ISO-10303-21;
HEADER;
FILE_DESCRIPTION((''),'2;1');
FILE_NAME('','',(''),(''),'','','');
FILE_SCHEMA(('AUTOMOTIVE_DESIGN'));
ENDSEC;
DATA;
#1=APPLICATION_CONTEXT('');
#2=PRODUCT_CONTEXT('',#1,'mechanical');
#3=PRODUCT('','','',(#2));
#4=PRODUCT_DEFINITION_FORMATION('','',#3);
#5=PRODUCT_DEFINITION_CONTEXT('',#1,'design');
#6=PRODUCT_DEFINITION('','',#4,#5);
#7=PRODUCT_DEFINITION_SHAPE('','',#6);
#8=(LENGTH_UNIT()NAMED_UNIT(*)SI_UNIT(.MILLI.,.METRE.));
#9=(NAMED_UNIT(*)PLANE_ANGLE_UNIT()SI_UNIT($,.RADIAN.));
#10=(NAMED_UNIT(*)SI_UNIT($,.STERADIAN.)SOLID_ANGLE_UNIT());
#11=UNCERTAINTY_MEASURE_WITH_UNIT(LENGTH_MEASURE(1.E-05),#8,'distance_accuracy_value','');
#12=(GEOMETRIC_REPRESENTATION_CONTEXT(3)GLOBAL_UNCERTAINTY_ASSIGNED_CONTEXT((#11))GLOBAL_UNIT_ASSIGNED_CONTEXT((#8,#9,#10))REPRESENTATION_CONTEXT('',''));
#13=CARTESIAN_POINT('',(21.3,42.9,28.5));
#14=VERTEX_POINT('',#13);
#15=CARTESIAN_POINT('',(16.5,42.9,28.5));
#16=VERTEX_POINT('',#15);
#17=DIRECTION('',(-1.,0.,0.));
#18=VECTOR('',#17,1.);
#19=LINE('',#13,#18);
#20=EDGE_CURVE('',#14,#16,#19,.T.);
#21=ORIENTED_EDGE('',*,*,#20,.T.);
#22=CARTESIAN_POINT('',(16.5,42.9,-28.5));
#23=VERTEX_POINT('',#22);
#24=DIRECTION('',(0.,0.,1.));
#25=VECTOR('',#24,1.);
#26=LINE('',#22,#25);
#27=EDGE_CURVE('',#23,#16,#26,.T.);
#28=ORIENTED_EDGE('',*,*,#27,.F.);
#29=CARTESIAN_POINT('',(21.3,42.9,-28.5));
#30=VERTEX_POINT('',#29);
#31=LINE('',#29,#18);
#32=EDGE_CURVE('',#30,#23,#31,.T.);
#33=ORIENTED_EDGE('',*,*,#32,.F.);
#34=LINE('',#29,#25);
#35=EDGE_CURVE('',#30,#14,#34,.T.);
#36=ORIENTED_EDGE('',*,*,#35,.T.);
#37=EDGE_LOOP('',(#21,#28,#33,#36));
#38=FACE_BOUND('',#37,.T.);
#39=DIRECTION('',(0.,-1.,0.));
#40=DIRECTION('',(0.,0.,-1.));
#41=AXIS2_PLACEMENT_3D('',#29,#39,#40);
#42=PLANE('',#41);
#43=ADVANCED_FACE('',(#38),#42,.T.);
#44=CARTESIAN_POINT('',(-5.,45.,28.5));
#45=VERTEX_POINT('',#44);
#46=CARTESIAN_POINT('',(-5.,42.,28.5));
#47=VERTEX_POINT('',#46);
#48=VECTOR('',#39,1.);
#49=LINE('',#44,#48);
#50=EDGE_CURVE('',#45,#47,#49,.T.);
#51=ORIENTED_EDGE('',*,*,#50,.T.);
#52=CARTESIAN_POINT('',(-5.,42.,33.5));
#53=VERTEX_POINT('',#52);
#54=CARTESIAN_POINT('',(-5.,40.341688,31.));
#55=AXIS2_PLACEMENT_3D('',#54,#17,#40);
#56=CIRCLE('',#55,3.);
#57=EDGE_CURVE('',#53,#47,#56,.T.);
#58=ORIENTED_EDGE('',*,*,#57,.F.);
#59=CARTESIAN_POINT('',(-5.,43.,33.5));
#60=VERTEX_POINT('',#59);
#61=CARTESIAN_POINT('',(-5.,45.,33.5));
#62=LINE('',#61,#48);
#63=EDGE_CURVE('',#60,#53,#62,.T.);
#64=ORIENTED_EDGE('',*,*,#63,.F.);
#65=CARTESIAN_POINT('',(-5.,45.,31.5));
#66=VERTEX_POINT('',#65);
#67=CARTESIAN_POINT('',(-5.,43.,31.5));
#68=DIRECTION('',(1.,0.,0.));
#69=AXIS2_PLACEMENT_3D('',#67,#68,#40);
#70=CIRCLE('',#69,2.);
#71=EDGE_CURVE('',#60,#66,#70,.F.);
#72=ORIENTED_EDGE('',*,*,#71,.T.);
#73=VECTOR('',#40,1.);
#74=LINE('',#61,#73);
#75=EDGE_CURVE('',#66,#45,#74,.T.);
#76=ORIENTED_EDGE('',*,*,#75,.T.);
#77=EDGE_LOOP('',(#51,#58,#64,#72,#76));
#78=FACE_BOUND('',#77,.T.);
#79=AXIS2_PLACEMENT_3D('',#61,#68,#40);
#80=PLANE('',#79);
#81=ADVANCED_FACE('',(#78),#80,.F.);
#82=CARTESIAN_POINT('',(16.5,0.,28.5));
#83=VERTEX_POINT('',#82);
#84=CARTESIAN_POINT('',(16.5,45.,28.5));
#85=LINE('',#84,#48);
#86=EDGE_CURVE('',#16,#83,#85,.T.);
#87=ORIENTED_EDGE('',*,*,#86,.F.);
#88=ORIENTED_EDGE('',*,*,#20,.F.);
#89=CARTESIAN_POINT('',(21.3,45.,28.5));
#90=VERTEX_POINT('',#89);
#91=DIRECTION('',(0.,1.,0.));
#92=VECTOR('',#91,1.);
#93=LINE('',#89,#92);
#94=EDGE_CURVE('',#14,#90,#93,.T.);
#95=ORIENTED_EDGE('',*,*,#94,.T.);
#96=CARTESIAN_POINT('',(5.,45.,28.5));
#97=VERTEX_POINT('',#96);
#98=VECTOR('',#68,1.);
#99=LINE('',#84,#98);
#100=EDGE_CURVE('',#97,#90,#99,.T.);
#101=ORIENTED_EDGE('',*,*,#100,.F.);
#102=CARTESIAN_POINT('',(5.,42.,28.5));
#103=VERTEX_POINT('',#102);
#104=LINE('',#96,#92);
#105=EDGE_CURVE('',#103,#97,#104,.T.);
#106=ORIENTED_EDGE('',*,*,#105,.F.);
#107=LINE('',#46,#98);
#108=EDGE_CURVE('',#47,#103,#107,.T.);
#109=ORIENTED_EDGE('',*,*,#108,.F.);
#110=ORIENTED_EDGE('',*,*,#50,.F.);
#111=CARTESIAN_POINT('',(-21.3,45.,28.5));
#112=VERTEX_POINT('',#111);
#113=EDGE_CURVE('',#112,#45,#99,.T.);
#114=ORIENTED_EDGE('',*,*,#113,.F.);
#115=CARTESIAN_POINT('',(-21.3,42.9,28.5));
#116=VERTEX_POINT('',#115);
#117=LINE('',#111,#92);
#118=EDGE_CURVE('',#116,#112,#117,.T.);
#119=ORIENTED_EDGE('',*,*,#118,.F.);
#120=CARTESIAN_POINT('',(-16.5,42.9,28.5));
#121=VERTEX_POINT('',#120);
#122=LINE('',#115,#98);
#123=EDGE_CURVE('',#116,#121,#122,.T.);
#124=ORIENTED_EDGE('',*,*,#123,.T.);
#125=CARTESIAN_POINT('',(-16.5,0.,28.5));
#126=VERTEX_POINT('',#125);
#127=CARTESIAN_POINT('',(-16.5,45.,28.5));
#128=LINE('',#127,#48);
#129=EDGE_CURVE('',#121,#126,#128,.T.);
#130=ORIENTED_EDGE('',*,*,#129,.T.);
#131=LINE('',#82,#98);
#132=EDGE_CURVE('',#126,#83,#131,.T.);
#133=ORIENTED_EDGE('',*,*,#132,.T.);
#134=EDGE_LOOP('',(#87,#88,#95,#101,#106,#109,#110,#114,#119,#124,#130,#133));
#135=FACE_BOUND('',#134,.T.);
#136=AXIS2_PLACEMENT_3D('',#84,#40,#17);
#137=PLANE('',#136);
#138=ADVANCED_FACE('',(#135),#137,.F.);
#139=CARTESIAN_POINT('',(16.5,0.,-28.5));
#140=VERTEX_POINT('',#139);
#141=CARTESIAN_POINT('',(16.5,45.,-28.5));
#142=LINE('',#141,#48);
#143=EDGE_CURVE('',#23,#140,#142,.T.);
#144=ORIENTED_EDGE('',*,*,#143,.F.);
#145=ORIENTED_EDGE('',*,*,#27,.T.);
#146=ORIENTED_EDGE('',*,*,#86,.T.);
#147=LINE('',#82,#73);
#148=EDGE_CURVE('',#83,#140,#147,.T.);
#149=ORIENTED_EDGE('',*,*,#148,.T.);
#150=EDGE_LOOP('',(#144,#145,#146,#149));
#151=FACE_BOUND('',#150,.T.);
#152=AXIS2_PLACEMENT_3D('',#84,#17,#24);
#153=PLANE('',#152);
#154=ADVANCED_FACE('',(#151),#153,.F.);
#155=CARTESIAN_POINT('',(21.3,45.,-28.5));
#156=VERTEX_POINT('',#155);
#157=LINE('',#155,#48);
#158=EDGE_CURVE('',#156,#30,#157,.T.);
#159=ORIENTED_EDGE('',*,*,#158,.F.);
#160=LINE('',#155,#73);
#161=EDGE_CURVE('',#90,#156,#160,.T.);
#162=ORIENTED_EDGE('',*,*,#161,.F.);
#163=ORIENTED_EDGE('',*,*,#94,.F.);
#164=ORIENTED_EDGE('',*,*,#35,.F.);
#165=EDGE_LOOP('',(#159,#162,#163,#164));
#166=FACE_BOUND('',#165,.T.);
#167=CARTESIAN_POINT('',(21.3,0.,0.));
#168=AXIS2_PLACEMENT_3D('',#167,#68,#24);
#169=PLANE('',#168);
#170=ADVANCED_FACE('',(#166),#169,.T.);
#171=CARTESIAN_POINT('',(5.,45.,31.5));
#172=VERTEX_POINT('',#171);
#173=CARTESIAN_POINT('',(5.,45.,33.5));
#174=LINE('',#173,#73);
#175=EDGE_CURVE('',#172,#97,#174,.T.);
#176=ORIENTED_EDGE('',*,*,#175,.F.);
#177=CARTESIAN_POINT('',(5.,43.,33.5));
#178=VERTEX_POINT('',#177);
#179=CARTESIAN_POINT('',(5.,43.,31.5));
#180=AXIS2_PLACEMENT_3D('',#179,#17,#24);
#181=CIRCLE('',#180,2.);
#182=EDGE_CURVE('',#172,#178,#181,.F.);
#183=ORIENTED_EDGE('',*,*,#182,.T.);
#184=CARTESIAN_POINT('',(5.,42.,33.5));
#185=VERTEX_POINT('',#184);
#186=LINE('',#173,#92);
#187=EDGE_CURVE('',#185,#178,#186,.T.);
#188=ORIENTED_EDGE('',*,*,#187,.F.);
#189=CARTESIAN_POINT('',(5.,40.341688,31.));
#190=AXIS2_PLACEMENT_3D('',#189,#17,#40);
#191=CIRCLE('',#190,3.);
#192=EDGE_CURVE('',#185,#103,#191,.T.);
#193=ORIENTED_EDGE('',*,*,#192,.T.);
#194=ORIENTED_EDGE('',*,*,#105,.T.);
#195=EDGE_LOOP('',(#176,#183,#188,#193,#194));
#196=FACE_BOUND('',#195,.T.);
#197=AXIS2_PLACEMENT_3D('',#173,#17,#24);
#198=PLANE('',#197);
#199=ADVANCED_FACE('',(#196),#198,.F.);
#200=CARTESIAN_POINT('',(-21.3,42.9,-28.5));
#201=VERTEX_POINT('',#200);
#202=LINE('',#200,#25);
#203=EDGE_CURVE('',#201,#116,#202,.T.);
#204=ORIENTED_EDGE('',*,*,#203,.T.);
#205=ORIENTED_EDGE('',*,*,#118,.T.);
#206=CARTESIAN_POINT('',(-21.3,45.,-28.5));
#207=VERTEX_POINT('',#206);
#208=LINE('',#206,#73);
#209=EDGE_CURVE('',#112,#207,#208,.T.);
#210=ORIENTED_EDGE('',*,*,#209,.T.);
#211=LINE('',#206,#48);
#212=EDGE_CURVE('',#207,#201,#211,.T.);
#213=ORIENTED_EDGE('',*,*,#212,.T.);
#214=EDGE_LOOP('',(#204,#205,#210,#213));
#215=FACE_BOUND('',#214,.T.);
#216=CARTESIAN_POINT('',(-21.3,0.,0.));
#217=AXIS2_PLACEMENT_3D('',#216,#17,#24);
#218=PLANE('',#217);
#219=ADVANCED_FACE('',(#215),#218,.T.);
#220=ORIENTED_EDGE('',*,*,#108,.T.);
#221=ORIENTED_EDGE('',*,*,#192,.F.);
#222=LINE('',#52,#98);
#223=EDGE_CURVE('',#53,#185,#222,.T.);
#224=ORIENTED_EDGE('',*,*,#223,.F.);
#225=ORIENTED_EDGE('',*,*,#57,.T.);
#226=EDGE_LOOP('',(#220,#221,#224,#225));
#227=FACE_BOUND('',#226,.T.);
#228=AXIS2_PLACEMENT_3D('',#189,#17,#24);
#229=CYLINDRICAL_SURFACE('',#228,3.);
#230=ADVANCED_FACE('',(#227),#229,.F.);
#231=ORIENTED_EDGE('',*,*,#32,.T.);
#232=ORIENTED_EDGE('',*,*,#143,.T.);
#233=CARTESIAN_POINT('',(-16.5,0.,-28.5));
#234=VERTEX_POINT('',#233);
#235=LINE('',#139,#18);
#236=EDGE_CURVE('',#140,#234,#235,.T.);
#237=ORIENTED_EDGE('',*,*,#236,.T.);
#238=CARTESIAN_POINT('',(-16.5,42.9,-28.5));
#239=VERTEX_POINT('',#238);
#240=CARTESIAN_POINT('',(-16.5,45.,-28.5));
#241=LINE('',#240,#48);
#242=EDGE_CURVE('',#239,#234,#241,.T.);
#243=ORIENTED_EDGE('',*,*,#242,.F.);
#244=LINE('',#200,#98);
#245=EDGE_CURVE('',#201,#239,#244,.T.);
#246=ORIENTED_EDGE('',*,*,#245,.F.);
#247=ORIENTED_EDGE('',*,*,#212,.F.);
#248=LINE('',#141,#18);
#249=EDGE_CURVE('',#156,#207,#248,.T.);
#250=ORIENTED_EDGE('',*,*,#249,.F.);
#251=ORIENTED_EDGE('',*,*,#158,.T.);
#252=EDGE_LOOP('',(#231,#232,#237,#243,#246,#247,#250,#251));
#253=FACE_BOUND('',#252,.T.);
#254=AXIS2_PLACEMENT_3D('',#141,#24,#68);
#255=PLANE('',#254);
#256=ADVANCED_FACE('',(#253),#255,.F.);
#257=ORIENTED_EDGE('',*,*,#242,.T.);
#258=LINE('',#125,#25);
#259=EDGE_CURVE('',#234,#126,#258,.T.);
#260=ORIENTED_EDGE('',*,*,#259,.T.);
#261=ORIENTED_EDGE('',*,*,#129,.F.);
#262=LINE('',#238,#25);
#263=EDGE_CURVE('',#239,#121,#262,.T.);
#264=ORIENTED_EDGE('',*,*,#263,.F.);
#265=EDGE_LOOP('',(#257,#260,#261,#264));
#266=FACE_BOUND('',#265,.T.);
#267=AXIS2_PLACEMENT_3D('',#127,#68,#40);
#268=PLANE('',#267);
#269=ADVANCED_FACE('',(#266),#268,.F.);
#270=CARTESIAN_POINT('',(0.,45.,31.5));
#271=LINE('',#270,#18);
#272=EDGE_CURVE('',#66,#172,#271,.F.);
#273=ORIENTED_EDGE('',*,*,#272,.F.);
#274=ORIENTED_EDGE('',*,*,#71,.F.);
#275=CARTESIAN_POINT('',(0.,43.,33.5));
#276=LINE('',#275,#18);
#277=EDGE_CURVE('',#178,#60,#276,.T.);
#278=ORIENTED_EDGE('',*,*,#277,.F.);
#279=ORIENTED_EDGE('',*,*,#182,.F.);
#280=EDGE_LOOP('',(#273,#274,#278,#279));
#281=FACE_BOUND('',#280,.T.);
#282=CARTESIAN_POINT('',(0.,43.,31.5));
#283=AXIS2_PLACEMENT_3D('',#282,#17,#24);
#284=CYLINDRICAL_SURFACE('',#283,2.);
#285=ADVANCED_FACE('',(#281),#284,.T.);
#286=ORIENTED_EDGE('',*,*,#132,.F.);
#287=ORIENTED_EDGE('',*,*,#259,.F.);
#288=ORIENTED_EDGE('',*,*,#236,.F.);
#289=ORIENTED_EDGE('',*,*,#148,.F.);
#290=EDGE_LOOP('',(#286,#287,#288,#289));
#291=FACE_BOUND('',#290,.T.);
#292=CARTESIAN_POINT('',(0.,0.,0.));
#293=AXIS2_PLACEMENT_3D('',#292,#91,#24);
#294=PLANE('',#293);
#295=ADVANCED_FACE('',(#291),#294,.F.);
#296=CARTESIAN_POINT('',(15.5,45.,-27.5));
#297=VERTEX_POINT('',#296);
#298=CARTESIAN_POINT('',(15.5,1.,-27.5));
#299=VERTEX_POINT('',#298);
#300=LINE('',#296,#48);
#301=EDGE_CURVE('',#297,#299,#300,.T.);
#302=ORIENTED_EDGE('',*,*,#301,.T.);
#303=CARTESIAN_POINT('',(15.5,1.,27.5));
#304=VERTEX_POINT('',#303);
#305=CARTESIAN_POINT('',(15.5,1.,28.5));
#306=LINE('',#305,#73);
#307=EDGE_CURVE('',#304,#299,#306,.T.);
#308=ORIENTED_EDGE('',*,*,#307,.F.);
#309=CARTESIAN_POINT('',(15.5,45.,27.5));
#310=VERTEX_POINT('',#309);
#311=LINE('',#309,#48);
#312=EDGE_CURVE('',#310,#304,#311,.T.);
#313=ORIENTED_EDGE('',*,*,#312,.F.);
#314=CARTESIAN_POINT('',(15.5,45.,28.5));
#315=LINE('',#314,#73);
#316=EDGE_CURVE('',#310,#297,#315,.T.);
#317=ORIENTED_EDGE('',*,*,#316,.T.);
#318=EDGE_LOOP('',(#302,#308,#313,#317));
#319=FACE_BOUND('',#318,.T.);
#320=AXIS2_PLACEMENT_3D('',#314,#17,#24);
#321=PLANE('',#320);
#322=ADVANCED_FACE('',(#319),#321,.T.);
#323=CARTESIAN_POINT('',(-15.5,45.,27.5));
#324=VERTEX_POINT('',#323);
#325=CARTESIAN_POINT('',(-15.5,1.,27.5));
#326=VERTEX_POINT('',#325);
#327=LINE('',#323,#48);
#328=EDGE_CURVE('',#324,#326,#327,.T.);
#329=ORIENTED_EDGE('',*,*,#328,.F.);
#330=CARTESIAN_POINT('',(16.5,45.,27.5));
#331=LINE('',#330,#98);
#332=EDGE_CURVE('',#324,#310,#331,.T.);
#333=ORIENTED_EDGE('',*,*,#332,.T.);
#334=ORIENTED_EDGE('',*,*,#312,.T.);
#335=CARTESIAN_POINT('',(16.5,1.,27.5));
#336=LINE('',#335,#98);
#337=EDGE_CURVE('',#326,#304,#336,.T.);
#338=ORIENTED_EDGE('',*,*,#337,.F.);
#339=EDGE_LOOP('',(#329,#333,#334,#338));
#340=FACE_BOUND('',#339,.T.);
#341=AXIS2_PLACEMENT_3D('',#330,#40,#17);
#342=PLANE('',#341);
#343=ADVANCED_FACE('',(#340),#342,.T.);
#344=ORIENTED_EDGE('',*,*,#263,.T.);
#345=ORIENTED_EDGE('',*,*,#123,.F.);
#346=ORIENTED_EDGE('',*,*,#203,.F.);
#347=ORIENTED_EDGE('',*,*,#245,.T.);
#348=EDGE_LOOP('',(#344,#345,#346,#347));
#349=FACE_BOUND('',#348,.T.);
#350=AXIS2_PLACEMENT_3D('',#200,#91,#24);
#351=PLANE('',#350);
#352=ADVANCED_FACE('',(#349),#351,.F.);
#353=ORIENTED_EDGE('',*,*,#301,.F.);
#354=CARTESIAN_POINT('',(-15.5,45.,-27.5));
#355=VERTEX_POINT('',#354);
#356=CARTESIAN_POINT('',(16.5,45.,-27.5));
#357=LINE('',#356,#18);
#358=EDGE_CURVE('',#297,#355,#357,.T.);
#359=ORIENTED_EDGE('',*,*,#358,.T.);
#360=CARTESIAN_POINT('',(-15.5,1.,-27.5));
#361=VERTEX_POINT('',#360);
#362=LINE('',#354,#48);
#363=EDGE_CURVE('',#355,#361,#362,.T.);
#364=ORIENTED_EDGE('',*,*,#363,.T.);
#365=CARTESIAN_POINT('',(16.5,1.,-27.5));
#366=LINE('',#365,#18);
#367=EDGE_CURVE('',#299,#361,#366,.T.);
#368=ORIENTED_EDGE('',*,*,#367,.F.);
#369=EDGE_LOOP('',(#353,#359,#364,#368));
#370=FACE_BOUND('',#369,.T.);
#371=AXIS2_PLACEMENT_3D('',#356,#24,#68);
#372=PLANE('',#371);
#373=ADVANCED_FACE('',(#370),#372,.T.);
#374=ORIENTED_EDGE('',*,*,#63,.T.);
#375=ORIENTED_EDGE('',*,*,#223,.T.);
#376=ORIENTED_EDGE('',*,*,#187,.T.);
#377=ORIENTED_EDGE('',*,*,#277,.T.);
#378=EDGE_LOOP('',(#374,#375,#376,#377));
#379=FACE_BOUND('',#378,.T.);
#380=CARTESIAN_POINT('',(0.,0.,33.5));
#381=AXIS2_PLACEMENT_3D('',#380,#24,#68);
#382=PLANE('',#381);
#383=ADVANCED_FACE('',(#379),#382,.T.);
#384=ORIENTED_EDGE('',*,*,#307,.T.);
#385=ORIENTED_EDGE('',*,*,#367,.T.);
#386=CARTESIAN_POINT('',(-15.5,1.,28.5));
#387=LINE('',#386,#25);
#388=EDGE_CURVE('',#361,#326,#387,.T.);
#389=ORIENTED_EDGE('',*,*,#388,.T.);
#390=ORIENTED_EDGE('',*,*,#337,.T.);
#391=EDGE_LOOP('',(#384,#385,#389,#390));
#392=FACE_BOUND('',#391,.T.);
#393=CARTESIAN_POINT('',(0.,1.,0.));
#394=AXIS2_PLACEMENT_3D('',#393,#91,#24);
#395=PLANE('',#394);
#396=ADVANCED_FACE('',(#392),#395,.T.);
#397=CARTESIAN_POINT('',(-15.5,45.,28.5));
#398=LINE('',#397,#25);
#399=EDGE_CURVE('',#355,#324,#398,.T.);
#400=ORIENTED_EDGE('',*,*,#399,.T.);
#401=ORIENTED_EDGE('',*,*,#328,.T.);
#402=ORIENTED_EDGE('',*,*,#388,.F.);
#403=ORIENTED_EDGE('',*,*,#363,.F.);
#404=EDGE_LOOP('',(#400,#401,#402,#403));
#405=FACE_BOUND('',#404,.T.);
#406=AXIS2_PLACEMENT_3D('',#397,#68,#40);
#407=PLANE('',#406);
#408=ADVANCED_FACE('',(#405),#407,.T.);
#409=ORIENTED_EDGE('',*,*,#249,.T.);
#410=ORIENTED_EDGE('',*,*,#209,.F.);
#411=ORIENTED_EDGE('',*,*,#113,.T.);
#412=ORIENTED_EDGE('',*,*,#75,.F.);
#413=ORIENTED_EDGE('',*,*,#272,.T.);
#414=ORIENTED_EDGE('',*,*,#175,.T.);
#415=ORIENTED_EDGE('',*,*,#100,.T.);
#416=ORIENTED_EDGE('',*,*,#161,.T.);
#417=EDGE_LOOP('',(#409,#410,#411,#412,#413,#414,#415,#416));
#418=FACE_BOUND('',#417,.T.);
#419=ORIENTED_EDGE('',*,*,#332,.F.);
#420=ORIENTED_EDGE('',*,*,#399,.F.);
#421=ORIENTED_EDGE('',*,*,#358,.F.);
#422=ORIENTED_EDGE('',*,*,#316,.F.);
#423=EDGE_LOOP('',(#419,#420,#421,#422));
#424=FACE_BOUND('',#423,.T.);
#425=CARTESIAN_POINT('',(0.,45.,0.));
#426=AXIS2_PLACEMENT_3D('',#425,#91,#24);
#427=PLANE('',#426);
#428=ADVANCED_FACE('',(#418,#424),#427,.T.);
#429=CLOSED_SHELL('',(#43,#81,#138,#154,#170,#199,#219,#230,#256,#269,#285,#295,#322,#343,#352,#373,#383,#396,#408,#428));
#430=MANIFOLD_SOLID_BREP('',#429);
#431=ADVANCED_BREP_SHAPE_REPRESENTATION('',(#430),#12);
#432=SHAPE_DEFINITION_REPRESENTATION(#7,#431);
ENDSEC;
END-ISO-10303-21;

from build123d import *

# Parameters (mm, degrees)
SKETCH1_W           = 33
SKETCH1_H           = 57
BOSS_EXTRUDE1_DEPTH = 45
SHELL1_T            = -1
SKETCH3_W           = 57
SKETCH3_H           = 2.1
BOSS_EXTRUDE2_DEPTH = 4.8
SKETCH4_W           = 10
SKETCH4_H           = 3
BOSS_EXTRUDE3_DEPTH = 5
CUT_EXTRUDE1_DEPTH  = 10
FILLET2_R           = 2


with BuildPart() as part:
    # Sketch1 → Boss-Extrude1 (new body)
    with BuildSketch(Plane(origin=(0, 0, 0), x_dir=(1, 0, 0), z_dir=(0, 1, 0))):
        Rectangle(SKETCH1_W, SKETCH1_H)
    extrude(amount=BOSS_EXTRUDE1_DEPTH)

    # Shell1
    shell1_openings = [part.faces().sort_by_distance(p)[0] for p in [
        (0, 45, 0),
    ]]
    offset(amount=SHELL1_T, openings=shell1_openings, kind=Kind.INTERSECTION)

    # Sketch3 → Boss-Extrude2 (add)
    with BuildSketch(Plane.ZY.offset(16.5)):
        with Locations((0, 43.95)):
            Rectangle(SKETCH3_W, SKETCH3_H)
    boss_extrude2 = extrude(amount=BOSS_EXTRUDE2_DEPTH)

    # Mirror1: Boss-Extrude2 across plane
    add(boss_extrude2.mirror(Plane(origin=(0, 0, 0), x_dir=(0, 0, 1), z_dir=(1, 0, 0))))

    # Sketch4 → Boss-Extrude3 (add)
    with BuildSketch(Plane.XY.offset(28.5)):
        with Locations((0, 43.5)):
            Rectangle(SKETCH4_W, SKETCH4_H)
    extrude(amount=BOSS_EXTRUDE3_DEPTH)

    # Sketch5 → Cut-Extrude1 (cut)
    with BuildSketch(Plane.ZY.offset(5)):
        with BuildLine():
            Line((28.5, 42), (33.5, 42))
            ThreePointArc((33.5, 42), (31, 43.341687605), (28.5, 42))
        make_face()
    extrude(amount=-CUT_EXTRUDE1_DEPTH, mode=Mode.SUBTRACT)

    # Fillet2
    fillet2_edges = [part.edges().sort_by_distance(p)[0] for p in [
        (0, 45, 33.5),
    ]]
    fillet(fillet2_edges, radius=FILLET2_R)


solid = part.part
